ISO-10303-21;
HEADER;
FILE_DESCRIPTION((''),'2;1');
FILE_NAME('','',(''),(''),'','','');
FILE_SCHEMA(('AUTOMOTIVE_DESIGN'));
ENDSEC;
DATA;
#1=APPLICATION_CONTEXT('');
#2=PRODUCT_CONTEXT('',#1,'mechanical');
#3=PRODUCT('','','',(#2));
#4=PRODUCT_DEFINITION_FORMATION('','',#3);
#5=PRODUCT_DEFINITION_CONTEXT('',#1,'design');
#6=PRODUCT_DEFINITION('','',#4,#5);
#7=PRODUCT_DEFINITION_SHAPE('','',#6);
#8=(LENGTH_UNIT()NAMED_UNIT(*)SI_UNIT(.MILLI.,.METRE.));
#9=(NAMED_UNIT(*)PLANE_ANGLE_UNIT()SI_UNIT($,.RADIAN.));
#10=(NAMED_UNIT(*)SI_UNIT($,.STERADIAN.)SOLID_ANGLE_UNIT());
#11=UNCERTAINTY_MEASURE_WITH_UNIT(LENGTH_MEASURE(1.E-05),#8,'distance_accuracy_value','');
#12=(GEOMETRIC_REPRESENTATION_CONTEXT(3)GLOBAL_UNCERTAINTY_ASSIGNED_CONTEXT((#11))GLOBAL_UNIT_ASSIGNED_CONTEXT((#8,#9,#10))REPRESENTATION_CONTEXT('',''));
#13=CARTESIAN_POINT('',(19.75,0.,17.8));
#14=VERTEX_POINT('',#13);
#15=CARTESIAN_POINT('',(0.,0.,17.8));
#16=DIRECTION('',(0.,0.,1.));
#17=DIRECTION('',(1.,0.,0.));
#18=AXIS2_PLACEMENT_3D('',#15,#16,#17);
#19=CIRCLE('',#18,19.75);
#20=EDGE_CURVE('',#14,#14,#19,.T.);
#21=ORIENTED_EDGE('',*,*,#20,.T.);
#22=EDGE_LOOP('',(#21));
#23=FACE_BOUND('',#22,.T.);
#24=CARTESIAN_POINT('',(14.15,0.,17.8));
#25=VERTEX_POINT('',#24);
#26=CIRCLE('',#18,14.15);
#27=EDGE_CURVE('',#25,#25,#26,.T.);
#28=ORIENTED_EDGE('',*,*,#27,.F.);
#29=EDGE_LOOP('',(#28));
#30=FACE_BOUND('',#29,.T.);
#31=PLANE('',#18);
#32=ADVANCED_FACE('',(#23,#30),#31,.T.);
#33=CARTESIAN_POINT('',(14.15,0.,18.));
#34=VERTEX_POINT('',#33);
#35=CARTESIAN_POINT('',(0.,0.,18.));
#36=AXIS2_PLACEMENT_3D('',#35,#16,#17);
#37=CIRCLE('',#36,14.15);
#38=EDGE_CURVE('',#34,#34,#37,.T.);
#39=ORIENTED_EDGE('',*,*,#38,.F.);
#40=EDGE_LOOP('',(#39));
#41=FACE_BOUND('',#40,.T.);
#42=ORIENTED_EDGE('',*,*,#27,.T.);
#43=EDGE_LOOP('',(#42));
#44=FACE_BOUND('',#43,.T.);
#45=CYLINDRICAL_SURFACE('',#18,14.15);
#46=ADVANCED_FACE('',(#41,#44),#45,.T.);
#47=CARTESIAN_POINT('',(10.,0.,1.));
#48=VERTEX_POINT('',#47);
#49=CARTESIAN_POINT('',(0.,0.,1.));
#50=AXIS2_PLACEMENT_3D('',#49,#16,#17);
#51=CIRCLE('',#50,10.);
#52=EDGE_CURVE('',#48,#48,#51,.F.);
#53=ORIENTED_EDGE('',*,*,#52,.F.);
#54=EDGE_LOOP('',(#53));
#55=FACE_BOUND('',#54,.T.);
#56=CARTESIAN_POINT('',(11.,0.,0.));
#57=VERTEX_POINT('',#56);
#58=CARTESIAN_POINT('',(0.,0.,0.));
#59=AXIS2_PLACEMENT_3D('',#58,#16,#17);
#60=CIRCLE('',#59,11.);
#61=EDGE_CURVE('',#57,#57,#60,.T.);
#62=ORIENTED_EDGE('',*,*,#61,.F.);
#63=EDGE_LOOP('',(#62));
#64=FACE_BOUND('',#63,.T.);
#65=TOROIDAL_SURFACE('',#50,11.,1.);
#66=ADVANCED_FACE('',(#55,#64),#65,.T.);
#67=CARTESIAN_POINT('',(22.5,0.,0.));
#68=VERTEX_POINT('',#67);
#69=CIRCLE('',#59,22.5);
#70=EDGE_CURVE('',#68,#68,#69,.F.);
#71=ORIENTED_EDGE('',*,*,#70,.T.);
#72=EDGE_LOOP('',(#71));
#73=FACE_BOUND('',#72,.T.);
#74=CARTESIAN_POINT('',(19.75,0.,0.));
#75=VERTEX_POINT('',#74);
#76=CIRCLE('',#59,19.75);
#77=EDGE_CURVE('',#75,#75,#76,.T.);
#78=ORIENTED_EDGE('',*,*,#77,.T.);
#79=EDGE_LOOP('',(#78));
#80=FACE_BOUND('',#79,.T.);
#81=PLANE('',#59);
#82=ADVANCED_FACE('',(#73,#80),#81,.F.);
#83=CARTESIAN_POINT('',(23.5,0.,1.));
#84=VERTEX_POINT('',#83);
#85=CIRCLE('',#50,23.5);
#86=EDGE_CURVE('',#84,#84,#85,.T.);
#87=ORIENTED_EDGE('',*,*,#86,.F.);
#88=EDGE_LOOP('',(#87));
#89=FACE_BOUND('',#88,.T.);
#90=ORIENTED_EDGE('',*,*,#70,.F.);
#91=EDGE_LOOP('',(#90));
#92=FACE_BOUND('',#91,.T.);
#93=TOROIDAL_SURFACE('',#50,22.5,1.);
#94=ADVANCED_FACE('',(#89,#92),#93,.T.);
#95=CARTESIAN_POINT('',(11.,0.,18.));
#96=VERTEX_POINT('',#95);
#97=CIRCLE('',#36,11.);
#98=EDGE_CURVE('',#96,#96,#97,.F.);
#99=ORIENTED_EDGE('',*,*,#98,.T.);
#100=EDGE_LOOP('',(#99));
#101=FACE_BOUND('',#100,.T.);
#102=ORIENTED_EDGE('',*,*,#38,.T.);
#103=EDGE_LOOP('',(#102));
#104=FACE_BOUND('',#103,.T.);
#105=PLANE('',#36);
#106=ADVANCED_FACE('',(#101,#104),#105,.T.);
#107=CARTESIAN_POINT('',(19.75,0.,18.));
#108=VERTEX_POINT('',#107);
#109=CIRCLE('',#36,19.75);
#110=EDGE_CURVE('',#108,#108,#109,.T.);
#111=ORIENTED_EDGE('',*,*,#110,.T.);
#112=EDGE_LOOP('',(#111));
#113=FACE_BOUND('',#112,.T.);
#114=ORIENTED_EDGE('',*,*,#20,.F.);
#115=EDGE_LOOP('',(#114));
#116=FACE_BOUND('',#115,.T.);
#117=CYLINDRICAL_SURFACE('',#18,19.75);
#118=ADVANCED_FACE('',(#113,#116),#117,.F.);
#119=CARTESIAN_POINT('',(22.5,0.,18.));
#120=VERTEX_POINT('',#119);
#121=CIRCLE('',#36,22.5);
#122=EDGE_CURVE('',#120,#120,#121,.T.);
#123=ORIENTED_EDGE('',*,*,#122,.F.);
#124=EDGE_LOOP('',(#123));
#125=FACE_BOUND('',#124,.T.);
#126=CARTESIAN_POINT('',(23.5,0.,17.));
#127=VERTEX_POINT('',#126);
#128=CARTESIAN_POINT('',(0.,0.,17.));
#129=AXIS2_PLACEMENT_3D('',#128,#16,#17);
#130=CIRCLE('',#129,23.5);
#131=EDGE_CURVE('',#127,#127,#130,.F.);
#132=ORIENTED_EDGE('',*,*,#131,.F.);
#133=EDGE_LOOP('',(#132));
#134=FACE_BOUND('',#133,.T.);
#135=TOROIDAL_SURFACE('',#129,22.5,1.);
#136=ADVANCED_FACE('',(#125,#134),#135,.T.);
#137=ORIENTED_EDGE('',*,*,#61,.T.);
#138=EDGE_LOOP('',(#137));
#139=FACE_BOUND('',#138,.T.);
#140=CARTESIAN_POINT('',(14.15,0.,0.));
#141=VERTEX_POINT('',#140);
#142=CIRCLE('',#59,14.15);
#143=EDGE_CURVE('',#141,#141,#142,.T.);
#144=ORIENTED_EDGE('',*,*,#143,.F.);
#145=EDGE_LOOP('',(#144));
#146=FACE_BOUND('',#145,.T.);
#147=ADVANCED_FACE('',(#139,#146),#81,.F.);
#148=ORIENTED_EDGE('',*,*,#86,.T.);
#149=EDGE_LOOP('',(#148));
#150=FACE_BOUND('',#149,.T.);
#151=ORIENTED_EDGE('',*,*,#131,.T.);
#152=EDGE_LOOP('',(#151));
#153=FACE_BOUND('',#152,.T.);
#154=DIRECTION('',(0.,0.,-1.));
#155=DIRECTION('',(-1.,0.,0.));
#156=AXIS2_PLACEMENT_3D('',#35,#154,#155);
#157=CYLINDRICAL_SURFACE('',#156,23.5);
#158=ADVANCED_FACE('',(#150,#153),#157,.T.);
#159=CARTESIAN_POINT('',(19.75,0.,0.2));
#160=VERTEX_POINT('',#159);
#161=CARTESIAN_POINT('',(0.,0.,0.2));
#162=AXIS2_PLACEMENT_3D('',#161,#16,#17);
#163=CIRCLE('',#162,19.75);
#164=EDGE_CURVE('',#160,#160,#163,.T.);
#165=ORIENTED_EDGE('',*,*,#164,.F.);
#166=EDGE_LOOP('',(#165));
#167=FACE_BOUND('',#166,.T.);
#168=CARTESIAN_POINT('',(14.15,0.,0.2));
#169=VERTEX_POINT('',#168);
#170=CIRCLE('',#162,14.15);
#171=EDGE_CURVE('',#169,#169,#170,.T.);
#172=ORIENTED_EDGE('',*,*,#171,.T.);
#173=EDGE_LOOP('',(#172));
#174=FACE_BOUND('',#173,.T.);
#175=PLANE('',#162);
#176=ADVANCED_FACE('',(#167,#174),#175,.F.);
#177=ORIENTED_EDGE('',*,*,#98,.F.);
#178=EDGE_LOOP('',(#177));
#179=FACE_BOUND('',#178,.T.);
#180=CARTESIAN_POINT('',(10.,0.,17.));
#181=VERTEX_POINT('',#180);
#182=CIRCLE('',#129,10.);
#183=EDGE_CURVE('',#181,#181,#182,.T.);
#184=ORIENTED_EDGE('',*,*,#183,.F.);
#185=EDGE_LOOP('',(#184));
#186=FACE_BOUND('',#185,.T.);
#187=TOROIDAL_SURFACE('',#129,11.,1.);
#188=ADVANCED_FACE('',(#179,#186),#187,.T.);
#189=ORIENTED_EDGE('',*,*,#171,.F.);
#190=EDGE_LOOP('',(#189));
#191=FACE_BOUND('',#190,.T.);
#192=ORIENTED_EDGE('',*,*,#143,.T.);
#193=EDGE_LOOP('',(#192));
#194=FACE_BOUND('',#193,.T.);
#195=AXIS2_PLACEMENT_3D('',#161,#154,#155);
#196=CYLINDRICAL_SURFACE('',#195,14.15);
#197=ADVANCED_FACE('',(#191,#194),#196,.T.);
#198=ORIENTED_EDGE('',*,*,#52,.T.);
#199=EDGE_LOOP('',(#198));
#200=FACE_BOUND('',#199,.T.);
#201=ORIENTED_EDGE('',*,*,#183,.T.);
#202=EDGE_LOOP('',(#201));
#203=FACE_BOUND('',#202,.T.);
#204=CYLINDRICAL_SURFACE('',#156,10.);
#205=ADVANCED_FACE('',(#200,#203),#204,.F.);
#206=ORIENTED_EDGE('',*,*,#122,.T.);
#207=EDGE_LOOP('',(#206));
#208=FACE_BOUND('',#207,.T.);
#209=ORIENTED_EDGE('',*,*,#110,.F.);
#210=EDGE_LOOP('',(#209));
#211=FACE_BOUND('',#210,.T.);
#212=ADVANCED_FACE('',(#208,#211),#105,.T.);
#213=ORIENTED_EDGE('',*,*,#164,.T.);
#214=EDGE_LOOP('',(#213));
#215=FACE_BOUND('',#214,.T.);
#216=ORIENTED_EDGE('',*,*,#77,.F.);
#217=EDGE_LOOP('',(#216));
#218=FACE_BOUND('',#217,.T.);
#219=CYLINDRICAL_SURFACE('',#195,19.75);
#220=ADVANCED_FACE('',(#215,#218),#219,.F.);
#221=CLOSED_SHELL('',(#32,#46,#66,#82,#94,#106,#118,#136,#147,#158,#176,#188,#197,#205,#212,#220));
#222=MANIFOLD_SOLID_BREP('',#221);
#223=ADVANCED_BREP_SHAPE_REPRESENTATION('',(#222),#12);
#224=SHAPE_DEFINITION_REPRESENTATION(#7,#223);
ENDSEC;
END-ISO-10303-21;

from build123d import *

# Parameters (mm, degrees)
SKETCH_1_R          = 23.5
SKETCH_1_R_2        = 10
EXTRUDE_1_DEPTH     = 18
FILLET_1_R          = 1
SKETCH_2_R          = 19.75
SKETCH_2_R_2        = 14.15
CUT_EXTRUDE_1_DEPTH = 0.2
CUT_EXTRUDE_START   = -17.8
SKETCH_2_3_R        = 19.75
SKETCH_2_3_R_2      = 14.15
CUT_EXTRUDE_2_DEPTH = 0.2


with BuildPart() as part:
    # Эскиз1 → Бобышка-Вытянуть1 (new body)
    with BuildSketch(Plane.XY):
        Circle(SKETCH_1_R)
        Circle(SKETCH_1_R_2, mode=Mode.SUBTRACT)
    extrude(amount=EXTRUDE_1_DEPTH)

    # Скругление1
    fillet_1_edges = [part.edges().sort_by_distance(p)[0] for p in [
        (-23.5, 0, 0),
        (-23.5, 0, 18),
        (-10, 0, 0),
        (-10, 0, 18),
    ]]
    fillet(fillet_1_edges, radius=FILLET_1_R)

    # Эскиз2 → Вырез-Вытянуть1 (cut)
    with BuildSketch(Plane.XY.offset(18)):
        Circle(SKETCH_2_R)
        Circle(SKETCH_2_R_2, mode=Mode.SUBTRACT)
    extrude(amount=-CUT_EXTRUDE_1_DEPTH, mode=Mode.SUBTRACT)

    # Эскиз2<3> → Вырез-Вытянуть2 (cut)
    with BuildSketch(Plane.XY.offset(18).offset(CUT_EXTRUDE_START)):
        Circle(SKETCH_2_3_R)
        Circle(SKETCH_2_3_R_2, mode=Mode.SUBTRACT)
    extrude(amount=-CUT_EXTRUDE_2_DEPTH, mode=Mode.SUBTRACT)


solid = part.part
